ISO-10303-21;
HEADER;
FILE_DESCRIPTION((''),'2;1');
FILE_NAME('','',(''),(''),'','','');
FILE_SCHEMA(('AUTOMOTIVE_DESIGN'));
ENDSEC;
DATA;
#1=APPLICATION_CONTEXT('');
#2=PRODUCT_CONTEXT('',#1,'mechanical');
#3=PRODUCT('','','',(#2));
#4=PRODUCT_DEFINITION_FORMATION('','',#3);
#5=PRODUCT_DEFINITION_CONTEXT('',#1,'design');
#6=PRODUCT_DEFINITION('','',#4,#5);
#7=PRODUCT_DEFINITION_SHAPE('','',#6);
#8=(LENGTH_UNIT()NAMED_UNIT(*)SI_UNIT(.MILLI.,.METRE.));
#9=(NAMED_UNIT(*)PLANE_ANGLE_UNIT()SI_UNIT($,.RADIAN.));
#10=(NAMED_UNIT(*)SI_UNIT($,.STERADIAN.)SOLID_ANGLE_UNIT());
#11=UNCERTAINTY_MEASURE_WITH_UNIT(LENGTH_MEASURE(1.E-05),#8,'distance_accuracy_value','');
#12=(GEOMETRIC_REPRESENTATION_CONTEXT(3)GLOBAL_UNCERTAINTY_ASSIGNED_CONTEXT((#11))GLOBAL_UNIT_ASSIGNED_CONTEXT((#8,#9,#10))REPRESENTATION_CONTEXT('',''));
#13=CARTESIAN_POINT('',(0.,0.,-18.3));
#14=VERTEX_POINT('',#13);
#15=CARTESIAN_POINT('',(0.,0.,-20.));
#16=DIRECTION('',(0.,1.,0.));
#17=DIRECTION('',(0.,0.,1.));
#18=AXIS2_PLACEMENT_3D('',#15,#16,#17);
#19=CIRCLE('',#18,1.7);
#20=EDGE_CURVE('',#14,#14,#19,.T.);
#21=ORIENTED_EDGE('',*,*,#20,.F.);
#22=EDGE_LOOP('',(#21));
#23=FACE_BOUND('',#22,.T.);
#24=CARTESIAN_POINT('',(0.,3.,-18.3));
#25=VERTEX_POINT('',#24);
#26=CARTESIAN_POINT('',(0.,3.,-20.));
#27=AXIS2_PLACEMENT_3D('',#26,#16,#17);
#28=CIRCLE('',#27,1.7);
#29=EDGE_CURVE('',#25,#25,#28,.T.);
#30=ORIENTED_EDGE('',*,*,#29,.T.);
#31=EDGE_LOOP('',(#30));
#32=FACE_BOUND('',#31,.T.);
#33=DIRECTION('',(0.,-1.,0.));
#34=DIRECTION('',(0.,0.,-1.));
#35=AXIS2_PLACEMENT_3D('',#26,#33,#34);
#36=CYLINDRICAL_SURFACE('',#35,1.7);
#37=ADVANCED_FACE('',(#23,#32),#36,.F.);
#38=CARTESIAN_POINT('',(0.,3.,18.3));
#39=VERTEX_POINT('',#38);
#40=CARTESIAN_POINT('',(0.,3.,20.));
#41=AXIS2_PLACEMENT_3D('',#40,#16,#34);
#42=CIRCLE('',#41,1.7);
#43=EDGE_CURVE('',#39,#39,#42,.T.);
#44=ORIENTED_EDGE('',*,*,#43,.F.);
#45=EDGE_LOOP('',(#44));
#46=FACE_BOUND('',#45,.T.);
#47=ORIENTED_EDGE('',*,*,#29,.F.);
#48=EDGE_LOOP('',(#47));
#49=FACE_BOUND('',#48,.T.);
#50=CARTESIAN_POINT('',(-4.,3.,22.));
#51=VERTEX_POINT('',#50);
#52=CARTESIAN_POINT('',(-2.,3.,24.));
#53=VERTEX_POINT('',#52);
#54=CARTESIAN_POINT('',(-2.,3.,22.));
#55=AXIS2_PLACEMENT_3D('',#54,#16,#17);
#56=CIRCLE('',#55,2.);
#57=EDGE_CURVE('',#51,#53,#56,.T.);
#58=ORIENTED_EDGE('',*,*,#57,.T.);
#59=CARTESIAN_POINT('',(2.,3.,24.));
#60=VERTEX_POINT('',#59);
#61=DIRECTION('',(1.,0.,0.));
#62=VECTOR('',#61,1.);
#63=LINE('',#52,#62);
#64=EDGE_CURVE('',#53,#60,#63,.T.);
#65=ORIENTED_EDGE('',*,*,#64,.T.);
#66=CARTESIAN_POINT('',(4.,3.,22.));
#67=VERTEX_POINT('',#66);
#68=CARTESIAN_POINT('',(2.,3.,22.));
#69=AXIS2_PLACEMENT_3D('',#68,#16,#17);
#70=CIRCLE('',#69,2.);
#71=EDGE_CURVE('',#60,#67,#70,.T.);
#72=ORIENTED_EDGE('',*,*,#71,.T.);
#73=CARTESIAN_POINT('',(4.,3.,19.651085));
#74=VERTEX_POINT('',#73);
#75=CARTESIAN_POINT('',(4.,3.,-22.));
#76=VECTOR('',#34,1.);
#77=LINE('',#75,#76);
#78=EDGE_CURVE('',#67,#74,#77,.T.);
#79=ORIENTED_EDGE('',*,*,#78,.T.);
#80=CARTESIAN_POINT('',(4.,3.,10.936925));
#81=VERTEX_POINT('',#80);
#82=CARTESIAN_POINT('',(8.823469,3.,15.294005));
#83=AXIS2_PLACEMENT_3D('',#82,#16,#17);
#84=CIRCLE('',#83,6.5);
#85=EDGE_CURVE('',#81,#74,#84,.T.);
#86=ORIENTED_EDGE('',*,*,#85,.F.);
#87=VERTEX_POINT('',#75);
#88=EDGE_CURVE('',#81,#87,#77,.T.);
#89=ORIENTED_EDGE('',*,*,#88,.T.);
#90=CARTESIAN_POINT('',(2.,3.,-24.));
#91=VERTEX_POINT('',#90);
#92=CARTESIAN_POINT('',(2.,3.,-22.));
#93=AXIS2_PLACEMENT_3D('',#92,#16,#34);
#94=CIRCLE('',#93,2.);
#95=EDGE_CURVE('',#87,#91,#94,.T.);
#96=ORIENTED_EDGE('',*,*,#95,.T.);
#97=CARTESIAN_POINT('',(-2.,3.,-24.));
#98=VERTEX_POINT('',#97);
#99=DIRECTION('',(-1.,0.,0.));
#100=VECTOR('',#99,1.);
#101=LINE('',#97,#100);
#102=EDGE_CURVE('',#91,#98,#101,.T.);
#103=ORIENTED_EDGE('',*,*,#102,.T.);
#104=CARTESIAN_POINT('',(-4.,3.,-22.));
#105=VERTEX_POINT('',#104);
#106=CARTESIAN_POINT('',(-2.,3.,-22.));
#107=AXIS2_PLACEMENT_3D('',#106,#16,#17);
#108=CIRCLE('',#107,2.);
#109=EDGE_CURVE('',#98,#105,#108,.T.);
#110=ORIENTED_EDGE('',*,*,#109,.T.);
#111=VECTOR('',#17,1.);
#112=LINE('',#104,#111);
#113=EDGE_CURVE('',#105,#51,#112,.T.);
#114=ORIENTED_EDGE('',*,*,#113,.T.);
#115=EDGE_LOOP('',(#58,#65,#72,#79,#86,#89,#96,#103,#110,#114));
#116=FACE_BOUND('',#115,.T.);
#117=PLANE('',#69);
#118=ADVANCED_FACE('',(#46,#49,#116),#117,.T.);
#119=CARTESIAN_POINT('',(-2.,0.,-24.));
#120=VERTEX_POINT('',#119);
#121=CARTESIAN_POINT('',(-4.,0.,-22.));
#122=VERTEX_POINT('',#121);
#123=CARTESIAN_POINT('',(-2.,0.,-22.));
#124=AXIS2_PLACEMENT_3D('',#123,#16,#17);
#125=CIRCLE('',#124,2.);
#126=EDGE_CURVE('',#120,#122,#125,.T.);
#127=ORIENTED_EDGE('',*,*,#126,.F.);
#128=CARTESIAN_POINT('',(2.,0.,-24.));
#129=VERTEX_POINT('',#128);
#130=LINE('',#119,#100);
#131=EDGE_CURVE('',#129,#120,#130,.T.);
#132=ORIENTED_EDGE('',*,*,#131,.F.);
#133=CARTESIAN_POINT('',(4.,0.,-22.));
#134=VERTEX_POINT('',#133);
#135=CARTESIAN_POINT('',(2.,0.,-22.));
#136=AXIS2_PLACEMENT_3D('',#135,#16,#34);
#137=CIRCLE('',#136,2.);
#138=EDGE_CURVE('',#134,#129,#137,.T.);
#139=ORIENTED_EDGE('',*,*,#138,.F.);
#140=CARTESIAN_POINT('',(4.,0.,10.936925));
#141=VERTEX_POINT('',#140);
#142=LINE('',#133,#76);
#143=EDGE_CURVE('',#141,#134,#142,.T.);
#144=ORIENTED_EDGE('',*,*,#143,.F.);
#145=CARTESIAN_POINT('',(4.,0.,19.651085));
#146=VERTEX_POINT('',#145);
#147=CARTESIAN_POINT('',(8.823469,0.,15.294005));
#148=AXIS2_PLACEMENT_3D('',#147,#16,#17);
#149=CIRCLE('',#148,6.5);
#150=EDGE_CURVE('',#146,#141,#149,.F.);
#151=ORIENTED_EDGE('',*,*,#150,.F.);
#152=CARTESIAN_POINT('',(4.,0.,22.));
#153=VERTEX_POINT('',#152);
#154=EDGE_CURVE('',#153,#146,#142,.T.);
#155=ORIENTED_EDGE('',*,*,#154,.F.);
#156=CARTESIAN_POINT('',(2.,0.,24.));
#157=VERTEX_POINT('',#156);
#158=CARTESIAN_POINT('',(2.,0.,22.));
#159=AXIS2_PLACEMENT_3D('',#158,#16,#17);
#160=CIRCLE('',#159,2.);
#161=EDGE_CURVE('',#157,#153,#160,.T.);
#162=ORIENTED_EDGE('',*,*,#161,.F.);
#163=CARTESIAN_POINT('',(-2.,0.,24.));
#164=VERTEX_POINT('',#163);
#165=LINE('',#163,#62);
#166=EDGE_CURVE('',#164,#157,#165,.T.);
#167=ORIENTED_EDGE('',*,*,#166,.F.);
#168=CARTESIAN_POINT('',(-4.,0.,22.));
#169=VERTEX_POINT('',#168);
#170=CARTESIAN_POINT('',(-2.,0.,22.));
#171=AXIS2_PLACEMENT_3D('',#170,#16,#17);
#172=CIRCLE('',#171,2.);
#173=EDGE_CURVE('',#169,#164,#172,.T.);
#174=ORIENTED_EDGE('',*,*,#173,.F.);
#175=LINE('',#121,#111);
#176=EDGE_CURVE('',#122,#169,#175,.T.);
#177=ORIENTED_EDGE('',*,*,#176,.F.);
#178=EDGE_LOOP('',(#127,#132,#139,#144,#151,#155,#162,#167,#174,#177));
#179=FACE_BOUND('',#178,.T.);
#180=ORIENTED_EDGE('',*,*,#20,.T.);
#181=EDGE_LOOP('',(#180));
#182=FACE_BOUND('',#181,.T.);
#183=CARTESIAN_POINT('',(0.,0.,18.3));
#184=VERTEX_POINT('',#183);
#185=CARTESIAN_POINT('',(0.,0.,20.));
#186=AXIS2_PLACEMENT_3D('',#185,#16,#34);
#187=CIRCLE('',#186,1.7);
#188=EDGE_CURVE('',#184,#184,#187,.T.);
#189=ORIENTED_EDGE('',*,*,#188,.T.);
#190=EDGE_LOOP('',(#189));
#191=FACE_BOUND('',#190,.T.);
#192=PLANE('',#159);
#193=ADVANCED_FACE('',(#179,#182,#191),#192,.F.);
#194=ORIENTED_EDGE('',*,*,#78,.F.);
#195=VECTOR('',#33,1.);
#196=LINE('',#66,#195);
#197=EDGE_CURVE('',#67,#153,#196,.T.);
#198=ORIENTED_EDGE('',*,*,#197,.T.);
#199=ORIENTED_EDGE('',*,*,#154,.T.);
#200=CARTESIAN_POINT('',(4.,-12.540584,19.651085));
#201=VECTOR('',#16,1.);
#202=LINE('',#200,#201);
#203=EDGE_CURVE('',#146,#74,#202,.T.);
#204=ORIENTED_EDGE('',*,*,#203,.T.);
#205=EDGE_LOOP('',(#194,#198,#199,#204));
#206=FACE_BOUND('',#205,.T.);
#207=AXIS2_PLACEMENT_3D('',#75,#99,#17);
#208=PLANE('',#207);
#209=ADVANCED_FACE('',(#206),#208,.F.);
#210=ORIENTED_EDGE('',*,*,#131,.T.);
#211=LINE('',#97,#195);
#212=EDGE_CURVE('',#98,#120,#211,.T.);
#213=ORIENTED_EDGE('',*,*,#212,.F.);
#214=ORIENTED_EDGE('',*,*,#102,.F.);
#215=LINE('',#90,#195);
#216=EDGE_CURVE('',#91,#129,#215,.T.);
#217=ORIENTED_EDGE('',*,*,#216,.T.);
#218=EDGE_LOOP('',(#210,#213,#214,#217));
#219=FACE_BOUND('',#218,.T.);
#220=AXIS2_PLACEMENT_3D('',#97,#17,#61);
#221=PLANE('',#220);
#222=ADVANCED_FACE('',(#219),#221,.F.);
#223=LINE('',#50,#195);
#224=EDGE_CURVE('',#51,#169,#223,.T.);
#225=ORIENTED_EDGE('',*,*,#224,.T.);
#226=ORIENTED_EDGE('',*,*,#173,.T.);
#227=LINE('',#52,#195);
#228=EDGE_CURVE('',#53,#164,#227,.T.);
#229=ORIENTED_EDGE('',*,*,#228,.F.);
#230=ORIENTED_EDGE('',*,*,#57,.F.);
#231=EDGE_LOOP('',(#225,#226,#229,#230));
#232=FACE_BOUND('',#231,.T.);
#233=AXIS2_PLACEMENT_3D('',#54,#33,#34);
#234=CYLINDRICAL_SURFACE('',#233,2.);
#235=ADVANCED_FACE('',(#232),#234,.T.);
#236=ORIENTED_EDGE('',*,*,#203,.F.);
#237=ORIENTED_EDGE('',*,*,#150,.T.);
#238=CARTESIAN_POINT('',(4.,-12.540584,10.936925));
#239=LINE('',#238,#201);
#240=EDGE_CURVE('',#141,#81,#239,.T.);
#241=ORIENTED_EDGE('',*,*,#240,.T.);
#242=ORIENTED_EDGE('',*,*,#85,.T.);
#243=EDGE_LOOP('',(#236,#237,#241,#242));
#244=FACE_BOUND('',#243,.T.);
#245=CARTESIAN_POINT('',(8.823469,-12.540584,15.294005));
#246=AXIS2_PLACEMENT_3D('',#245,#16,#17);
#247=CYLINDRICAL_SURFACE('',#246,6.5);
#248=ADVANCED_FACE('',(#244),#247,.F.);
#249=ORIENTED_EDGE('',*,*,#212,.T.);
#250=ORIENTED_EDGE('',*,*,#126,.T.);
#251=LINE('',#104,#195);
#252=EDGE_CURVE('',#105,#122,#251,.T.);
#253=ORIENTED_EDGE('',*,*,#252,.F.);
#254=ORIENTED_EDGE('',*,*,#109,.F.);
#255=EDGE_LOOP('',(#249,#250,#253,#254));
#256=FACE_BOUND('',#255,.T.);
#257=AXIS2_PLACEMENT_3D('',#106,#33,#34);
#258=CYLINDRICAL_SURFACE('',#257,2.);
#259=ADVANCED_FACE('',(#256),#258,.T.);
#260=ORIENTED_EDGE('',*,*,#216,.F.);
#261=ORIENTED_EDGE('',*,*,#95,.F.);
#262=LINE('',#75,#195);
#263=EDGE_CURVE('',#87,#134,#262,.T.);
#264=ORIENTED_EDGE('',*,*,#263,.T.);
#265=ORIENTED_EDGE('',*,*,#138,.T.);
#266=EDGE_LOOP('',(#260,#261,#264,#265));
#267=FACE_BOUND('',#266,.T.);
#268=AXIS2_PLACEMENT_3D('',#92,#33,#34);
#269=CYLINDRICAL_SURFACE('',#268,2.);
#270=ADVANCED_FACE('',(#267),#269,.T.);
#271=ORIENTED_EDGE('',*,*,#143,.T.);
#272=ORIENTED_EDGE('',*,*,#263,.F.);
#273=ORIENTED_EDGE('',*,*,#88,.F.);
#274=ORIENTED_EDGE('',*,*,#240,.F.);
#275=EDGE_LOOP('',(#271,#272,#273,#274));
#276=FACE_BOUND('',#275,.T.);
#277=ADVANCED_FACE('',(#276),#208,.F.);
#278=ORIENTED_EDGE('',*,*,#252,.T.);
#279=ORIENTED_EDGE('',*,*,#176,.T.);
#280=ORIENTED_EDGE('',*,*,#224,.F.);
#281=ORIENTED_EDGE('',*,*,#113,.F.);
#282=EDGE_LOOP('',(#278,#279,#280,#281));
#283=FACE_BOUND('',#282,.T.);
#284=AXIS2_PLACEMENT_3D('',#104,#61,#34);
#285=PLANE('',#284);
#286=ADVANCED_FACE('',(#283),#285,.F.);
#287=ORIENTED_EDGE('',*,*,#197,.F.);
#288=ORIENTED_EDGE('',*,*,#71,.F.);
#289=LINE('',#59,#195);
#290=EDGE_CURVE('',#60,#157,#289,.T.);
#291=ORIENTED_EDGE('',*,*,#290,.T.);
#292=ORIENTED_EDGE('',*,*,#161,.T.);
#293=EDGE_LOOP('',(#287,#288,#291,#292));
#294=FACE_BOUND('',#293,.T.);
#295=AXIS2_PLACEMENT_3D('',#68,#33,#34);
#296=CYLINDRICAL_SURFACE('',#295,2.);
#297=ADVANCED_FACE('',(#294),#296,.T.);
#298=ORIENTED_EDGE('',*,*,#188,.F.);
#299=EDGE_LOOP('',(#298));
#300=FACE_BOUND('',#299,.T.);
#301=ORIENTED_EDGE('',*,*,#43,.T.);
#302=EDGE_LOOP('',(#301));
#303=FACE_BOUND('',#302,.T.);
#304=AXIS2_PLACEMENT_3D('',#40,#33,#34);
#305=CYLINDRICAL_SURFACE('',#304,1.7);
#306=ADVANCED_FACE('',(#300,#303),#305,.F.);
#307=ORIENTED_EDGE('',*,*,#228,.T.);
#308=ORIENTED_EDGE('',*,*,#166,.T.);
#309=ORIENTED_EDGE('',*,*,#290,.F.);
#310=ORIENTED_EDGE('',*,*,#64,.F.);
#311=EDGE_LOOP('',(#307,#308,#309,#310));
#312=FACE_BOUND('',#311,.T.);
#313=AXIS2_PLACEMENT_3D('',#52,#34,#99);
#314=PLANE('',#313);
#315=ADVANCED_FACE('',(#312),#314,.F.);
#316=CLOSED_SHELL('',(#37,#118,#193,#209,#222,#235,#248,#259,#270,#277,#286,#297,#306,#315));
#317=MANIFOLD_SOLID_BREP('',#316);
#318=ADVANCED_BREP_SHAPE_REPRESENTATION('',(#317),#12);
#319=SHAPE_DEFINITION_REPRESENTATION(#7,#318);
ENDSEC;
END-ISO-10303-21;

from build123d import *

# Parameters (mm, degrees)
SKETCH_1_R          = 1.7
EXTRUDE_1_DEPTH     = 3
CUT_EXTRUDE_1_DEPTH = 3


with BuildPart() as part:
    # 草圖1 → 填料-伸長1 (new body)
    with BuildSketch(Plane(origin=(0, 0, 0), x_dir=(1, 0, 0), z_dir=(0, 1, 0))):
        with BuildLine():
            Line((-2, 24), (2, 24))
            ThreePointArc((2, 24), (3.414213562, 23.414213562), (4, 22))
            Line((4, 22), (4, -22))
            ThreePointArc((4, -22), (3.414213562, -23.414213562), (2, -24))
            Line((2, -24), (-2, -24))
            ThreePointArc((-2, -24), (-3.414213562, -23.414213562), (-4, -22))
            Line((-4, -22), (-4, 22))
            ThreePointArc((-4, 22), (-3.414213562, 23.414213562), (-2, 24))
        make_face()
        with Locations(Location((0, 20, 0), (0, 0, 270))):
            Circle(SKETCH_1_R, mode=Mode.SUBTRACT)
        with Locations(Location((0, -20, 0), (0, 0, 90))):
            Circle(SKETCH_1_R, mode=Mode.SUBTRACT)
    extrude(amount=EXTRUDE_1_DEPTH)

    # 草圖2 → 除料-伸長1 (cut)
    with BuildSketch(Plane(origin=(0, 3, 0), x_dir=(1, 0, 0), z_dir=(0, 1, 0))):
        with BuildLine():
            Line((4, -10.936925409), (8.605915435, -21.790363308))
            ThreePointArc((8.605915435, -21.790363308), (2.8399706, -17.8332456), (4, -10.936925409))
        make_face()
    extrude(amount=-CUT_EXTRUDE_1_DEPTH, mode=Mode.SUBTRACT)


solid = part.part
